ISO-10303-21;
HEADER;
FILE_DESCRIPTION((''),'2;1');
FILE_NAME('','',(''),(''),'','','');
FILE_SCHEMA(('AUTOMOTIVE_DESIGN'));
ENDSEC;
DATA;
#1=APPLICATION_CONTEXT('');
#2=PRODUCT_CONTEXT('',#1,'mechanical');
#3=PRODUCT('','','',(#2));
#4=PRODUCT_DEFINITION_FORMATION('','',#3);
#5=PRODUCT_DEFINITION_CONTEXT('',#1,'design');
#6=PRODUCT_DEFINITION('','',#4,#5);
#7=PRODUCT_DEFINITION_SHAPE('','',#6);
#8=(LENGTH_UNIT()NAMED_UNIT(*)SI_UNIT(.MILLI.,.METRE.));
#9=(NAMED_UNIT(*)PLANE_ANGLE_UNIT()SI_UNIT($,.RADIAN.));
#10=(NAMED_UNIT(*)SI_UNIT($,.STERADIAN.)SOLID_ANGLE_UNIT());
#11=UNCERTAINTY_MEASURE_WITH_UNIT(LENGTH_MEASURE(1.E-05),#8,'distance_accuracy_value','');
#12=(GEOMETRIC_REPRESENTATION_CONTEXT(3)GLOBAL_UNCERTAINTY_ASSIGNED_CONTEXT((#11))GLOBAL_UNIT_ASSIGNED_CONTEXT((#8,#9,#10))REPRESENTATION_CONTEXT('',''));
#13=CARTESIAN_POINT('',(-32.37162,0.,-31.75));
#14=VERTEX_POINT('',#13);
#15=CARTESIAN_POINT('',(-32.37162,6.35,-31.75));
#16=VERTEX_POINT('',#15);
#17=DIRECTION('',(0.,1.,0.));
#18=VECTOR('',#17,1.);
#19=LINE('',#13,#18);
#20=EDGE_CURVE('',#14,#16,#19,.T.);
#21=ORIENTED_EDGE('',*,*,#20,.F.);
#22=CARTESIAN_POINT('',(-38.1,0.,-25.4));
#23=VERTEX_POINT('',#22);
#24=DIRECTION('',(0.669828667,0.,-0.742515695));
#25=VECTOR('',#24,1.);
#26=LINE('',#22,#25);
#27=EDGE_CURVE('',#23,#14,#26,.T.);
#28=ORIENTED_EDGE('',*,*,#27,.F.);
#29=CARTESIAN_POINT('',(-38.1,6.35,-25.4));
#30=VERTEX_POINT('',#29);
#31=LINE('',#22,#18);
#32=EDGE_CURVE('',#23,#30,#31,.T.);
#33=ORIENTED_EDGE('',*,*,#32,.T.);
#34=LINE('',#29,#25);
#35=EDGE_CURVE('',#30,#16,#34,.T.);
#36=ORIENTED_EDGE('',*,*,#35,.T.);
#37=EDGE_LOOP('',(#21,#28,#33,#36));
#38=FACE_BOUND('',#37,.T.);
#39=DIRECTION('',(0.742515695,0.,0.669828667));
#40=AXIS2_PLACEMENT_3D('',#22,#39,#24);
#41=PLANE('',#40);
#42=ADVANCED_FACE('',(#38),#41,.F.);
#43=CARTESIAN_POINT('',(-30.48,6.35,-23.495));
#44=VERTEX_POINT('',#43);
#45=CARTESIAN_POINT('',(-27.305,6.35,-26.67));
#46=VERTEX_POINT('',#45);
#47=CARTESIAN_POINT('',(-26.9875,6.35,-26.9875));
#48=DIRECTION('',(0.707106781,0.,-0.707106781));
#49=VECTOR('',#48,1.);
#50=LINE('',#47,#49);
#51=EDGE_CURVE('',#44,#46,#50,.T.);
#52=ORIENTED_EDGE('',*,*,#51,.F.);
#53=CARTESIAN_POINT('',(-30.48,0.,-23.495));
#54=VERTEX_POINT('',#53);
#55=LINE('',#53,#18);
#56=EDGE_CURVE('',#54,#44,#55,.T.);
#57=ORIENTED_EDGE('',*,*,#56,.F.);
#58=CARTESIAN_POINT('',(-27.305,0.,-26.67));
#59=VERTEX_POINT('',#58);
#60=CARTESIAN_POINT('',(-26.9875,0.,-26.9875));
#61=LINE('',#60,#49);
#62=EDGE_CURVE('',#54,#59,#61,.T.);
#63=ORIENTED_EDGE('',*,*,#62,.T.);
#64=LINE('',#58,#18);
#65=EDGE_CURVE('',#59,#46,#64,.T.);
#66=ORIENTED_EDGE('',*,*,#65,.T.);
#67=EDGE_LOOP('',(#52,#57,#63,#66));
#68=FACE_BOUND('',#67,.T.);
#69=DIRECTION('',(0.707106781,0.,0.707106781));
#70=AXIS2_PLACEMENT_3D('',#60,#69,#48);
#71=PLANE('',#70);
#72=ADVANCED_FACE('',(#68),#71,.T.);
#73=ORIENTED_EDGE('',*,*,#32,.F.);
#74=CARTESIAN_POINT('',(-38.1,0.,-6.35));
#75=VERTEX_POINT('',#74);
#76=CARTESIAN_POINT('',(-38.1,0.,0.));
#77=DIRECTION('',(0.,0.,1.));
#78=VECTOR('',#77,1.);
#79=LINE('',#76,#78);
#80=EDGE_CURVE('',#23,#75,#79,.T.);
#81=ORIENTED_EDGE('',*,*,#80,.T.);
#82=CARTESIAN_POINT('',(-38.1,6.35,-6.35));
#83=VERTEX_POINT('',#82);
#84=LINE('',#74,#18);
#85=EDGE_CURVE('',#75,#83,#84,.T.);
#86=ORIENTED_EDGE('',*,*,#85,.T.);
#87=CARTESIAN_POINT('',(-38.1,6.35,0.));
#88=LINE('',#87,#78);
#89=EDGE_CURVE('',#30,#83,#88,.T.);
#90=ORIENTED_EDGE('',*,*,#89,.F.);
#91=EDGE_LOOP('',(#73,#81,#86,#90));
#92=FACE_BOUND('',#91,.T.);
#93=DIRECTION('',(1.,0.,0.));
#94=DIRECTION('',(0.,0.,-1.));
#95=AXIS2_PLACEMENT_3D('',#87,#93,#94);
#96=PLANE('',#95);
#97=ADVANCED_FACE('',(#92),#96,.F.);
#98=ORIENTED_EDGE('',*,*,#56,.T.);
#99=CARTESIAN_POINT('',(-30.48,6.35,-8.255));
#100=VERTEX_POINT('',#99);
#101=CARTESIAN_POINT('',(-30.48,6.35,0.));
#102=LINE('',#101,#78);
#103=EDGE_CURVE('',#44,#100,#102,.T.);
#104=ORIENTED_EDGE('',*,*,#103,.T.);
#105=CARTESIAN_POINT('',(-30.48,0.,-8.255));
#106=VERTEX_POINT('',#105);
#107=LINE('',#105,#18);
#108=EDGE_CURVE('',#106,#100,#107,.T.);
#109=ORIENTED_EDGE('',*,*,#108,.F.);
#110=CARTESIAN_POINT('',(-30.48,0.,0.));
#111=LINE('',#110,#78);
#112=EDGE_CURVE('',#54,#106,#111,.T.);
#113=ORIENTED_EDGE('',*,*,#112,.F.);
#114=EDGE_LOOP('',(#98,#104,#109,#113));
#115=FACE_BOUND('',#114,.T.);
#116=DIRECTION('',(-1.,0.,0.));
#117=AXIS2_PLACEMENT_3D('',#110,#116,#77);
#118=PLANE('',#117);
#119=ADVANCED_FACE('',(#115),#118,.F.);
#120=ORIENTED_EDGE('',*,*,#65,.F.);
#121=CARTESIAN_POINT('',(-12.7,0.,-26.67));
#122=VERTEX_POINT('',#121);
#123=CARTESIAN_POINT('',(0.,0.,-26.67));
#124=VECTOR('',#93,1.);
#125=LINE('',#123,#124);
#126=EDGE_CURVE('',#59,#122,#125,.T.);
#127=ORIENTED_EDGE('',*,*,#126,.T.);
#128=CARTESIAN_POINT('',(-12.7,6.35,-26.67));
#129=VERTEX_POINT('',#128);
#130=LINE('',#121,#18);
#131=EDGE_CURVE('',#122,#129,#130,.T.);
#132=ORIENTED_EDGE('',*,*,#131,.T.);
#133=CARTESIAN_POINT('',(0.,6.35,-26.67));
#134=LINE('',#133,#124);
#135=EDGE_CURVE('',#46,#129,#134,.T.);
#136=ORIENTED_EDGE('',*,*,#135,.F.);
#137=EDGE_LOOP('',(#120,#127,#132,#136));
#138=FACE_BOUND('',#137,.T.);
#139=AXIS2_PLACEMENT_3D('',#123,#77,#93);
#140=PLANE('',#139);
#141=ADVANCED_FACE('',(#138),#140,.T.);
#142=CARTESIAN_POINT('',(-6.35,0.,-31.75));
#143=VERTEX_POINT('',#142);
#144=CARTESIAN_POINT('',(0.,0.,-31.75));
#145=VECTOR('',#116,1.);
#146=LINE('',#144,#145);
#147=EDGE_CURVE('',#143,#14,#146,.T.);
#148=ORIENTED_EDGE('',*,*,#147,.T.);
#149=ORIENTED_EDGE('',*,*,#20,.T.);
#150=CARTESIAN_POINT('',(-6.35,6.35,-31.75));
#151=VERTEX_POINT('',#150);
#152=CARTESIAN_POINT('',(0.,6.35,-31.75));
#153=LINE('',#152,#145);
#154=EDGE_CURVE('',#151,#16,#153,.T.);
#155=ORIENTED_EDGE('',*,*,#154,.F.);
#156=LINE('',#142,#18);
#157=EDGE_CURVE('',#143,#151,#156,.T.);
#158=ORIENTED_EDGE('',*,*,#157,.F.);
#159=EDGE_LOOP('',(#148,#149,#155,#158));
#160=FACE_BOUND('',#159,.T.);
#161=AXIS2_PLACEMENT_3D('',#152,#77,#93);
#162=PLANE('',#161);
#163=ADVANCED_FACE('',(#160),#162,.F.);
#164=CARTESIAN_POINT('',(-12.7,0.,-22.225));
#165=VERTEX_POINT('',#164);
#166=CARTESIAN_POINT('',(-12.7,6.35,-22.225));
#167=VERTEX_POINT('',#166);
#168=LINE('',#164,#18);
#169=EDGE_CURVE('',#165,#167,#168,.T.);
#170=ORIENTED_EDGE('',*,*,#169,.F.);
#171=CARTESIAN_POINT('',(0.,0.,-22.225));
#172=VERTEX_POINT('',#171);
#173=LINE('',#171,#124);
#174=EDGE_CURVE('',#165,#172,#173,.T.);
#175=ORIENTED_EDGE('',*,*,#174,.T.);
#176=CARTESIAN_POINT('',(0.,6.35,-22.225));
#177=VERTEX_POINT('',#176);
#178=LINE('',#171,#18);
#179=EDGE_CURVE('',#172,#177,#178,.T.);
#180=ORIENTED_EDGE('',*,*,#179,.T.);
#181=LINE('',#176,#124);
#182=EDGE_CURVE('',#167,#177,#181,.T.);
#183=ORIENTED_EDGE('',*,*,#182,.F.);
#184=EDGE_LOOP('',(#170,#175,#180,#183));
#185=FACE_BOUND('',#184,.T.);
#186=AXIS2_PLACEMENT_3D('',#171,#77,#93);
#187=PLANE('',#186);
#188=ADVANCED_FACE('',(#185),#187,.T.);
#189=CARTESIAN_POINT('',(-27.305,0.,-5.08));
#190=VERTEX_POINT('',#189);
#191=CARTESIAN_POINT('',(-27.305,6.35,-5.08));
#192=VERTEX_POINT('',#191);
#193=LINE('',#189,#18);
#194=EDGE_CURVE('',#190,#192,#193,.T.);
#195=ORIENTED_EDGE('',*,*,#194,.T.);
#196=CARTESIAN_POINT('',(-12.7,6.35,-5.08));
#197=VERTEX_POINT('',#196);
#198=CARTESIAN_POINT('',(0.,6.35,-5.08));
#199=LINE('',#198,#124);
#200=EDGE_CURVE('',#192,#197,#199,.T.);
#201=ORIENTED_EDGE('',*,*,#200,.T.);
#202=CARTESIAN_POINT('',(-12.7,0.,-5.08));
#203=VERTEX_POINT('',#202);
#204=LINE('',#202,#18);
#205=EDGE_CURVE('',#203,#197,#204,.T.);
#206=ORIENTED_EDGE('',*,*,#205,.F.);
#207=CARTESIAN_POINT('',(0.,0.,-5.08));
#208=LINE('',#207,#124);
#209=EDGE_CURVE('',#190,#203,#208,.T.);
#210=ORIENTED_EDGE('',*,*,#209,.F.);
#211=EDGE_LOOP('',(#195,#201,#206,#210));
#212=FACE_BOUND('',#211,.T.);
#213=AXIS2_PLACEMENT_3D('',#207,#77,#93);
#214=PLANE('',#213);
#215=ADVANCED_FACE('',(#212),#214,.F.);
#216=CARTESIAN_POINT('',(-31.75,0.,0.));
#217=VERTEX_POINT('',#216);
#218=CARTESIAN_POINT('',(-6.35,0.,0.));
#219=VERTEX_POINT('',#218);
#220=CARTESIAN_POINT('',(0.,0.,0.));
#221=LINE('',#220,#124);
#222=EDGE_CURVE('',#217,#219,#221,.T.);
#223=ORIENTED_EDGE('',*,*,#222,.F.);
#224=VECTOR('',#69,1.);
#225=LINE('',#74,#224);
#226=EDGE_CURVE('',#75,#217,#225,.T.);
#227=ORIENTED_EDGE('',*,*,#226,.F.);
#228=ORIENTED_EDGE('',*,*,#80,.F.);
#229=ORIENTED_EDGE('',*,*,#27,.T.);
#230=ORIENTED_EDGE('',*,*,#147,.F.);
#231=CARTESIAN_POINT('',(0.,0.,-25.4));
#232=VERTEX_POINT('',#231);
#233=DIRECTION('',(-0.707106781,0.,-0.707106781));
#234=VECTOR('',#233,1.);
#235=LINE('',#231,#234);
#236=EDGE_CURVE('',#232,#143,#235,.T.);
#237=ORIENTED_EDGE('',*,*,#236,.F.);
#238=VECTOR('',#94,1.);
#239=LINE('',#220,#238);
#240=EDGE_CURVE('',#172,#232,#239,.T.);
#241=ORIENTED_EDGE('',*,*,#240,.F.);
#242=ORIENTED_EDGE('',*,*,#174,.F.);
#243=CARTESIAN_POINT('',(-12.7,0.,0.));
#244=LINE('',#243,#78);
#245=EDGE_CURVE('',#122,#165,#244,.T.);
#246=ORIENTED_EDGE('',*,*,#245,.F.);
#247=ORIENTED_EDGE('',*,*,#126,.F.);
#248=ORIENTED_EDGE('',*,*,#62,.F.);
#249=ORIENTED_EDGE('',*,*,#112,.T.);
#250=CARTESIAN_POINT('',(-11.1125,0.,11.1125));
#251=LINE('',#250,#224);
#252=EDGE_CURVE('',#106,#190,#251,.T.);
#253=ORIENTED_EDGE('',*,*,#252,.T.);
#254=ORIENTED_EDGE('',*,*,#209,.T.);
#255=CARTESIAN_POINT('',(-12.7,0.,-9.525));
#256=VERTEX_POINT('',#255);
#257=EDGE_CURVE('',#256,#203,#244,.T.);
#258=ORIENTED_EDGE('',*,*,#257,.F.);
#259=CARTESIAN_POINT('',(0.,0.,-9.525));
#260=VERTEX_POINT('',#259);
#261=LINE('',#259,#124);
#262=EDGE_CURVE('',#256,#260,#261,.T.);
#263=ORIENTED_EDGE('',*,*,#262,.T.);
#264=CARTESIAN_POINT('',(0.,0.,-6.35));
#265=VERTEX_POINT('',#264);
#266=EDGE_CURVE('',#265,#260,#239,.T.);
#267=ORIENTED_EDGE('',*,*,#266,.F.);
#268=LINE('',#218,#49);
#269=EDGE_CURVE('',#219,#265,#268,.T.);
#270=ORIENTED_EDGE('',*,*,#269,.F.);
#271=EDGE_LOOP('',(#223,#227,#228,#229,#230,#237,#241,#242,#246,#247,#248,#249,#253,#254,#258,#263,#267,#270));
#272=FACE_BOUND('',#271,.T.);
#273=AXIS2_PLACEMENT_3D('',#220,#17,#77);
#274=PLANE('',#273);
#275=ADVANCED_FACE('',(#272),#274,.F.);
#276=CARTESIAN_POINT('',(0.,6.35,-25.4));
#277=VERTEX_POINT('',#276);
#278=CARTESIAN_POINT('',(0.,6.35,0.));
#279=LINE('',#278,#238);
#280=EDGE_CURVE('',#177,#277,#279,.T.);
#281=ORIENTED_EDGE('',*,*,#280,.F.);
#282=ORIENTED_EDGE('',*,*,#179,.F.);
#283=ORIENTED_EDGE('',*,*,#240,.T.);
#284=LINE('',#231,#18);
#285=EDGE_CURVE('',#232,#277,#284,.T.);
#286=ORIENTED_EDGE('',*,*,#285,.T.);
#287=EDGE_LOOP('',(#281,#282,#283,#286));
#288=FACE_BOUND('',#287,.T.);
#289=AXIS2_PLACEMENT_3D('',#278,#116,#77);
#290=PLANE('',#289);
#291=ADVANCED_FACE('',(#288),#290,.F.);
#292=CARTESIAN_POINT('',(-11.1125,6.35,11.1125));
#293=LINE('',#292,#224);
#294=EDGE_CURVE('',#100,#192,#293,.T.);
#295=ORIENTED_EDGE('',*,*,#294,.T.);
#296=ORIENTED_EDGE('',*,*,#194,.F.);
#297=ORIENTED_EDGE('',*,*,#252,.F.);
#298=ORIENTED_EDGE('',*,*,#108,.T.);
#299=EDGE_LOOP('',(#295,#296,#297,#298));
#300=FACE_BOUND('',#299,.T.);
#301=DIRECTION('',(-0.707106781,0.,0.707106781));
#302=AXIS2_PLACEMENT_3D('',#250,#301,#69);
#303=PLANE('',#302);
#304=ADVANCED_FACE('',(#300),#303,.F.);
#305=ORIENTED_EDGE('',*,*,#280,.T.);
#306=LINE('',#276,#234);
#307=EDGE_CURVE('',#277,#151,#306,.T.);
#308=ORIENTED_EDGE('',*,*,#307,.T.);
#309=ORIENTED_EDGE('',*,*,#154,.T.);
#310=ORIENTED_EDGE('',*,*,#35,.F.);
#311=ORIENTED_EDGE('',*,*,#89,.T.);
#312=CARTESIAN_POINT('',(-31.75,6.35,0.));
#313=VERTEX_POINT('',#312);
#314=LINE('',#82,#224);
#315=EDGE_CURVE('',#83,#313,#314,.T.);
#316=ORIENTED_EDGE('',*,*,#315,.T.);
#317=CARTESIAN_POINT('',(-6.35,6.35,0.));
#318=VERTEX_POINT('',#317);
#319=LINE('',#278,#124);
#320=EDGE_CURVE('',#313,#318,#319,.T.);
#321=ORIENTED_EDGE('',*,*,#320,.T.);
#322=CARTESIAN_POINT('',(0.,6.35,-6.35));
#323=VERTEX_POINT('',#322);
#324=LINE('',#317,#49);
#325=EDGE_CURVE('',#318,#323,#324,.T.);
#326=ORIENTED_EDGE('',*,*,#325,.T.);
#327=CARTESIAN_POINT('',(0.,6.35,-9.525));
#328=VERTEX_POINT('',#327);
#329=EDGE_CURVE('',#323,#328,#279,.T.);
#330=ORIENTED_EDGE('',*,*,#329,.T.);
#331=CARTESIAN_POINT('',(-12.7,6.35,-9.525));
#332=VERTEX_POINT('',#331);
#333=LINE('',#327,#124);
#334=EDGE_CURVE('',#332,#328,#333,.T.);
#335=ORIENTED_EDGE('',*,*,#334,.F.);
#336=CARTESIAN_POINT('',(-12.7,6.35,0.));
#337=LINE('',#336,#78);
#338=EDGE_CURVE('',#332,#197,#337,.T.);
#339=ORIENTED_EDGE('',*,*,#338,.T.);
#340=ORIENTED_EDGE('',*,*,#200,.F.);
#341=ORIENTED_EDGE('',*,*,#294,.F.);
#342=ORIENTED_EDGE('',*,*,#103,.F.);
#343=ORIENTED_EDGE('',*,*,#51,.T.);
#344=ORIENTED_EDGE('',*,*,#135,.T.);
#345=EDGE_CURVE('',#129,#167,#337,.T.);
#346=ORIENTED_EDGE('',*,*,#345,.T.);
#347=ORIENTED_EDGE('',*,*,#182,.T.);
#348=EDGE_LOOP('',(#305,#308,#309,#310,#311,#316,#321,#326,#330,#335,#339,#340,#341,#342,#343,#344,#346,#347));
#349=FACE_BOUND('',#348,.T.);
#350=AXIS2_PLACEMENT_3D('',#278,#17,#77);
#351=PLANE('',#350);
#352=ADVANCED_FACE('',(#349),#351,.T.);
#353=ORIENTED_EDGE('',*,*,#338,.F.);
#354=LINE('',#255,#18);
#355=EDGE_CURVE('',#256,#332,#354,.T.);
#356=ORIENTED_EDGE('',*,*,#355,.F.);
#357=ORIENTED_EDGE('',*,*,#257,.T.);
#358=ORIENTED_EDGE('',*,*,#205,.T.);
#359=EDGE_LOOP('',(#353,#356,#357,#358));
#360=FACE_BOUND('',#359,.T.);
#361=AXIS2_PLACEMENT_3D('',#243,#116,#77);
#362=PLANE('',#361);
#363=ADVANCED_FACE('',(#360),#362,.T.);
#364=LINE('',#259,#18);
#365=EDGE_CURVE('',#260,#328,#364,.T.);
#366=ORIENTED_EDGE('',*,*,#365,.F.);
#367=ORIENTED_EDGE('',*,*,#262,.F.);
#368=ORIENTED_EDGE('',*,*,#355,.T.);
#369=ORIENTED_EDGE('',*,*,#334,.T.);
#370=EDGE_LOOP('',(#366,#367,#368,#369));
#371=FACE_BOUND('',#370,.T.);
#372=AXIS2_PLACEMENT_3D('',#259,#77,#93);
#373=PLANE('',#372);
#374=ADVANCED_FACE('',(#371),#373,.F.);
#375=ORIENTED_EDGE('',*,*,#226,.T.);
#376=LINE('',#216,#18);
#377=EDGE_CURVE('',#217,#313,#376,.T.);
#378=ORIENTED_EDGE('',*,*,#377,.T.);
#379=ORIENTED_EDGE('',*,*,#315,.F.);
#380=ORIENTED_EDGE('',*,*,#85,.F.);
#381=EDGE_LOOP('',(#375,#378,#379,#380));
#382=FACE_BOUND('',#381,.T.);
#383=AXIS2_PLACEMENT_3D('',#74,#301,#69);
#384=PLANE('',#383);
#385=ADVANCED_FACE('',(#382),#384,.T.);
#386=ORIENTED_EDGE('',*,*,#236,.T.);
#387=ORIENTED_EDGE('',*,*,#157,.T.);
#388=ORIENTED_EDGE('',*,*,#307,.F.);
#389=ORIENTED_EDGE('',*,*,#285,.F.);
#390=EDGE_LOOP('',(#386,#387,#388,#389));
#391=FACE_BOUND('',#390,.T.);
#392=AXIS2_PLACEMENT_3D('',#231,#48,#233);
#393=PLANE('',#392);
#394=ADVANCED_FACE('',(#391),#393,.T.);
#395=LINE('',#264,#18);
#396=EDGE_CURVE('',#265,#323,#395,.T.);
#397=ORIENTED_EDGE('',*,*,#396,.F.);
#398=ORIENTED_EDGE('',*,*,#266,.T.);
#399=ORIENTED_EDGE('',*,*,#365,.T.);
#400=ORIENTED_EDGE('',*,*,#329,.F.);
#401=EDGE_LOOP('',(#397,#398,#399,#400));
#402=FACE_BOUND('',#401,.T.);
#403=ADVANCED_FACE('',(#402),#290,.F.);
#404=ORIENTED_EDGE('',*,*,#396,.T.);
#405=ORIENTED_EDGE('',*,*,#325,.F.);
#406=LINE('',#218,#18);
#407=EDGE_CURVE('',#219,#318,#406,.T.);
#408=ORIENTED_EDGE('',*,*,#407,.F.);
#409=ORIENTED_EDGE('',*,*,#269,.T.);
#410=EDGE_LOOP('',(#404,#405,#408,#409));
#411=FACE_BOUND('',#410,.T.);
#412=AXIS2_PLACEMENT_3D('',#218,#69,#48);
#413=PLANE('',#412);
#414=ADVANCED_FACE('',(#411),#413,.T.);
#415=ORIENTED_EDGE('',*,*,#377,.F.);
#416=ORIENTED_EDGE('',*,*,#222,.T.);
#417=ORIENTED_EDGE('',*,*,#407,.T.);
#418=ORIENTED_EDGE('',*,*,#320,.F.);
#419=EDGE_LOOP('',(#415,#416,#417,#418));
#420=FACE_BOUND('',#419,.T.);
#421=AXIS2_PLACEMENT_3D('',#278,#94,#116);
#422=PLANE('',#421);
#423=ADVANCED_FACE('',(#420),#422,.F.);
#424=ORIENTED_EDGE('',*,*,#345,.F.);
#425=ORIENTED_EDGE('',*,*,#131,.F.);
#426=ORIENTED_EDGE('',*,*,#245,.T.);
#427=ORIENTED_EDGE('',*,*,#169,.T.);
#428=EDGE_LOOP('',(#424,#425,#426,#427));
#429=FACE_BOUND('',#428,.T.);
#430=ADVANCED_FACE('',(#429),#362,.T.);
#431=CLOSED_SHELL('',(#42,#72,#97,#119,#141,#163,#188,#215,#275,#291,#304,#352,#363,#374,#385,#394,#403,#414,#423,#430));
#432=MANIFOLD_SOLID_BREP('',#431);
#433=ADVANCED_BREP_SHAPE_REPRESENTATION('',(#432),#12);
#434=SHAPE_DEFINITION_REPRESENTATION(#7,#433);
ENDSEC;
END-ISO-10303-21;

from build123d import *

# Parameters (mm, degrees)
SKETCH1_W           = 38.1
SKETCH1_H           = 31.75
BOSS_EXTRUDE1_DEPTH = 6.35
SKETCH2_W           = 12.7
SKETCH2_H           = 12.7
CUT_EXTRUDE1_DEPTH  = 50.99995


with BuildPart() as part:
    # Sketch1 → Boss-Extrude1 (new body)
    with BuildSketch(Plane(origin=(0, 0, 0), x_dir=(1, 0, 0), z_dir=(0, 1, 0))):
        with Locations((-19.05, 15.875)):
            Rectangle(SKETCH1_W, SKETCH1_H)
    extrude(amount=BOSS_EXTRUDE1_DEPTH)

    # Sketch2 → Cut-Extrude1 (cut, through all)
    with BuildSketch(Plane(origin=(0, 6.35, 0), x_dir=(1, 0, 0), z_dir=(0, 1, 0))):
        Polygon((-12.7, 26.67), (-27.305, 26.67), (-30.48, 23.495), (-30.48, 8.255), (-27.305, 5.08), (-12.7, 5.08), (-12.7, 9.525), (-12.7, 22.225), align=None)
        with Locations((-6.35, 15.875)):
            Rectangle(SKETCH2_W, SKETCH2_H)
        Polygon((0, 0), (0, 6.35), (-6.35, 0), align=None)
        Polygon((0, 31.75), (-6.35, 31.75), (0, 25.4), align=None)
        Polygon((-38.1, 6.35), (-31.75, 0), (-38.1, 0), align=None)
        Polygon((-38.1, 31.75), (-38.1, 25.4), (-32.371620034, 31.75), align=None)
    extrude(amount=-CUT_EXTRUDE1_DEPTH, mode=Mode.SUBTRACT)


solid = part.part
